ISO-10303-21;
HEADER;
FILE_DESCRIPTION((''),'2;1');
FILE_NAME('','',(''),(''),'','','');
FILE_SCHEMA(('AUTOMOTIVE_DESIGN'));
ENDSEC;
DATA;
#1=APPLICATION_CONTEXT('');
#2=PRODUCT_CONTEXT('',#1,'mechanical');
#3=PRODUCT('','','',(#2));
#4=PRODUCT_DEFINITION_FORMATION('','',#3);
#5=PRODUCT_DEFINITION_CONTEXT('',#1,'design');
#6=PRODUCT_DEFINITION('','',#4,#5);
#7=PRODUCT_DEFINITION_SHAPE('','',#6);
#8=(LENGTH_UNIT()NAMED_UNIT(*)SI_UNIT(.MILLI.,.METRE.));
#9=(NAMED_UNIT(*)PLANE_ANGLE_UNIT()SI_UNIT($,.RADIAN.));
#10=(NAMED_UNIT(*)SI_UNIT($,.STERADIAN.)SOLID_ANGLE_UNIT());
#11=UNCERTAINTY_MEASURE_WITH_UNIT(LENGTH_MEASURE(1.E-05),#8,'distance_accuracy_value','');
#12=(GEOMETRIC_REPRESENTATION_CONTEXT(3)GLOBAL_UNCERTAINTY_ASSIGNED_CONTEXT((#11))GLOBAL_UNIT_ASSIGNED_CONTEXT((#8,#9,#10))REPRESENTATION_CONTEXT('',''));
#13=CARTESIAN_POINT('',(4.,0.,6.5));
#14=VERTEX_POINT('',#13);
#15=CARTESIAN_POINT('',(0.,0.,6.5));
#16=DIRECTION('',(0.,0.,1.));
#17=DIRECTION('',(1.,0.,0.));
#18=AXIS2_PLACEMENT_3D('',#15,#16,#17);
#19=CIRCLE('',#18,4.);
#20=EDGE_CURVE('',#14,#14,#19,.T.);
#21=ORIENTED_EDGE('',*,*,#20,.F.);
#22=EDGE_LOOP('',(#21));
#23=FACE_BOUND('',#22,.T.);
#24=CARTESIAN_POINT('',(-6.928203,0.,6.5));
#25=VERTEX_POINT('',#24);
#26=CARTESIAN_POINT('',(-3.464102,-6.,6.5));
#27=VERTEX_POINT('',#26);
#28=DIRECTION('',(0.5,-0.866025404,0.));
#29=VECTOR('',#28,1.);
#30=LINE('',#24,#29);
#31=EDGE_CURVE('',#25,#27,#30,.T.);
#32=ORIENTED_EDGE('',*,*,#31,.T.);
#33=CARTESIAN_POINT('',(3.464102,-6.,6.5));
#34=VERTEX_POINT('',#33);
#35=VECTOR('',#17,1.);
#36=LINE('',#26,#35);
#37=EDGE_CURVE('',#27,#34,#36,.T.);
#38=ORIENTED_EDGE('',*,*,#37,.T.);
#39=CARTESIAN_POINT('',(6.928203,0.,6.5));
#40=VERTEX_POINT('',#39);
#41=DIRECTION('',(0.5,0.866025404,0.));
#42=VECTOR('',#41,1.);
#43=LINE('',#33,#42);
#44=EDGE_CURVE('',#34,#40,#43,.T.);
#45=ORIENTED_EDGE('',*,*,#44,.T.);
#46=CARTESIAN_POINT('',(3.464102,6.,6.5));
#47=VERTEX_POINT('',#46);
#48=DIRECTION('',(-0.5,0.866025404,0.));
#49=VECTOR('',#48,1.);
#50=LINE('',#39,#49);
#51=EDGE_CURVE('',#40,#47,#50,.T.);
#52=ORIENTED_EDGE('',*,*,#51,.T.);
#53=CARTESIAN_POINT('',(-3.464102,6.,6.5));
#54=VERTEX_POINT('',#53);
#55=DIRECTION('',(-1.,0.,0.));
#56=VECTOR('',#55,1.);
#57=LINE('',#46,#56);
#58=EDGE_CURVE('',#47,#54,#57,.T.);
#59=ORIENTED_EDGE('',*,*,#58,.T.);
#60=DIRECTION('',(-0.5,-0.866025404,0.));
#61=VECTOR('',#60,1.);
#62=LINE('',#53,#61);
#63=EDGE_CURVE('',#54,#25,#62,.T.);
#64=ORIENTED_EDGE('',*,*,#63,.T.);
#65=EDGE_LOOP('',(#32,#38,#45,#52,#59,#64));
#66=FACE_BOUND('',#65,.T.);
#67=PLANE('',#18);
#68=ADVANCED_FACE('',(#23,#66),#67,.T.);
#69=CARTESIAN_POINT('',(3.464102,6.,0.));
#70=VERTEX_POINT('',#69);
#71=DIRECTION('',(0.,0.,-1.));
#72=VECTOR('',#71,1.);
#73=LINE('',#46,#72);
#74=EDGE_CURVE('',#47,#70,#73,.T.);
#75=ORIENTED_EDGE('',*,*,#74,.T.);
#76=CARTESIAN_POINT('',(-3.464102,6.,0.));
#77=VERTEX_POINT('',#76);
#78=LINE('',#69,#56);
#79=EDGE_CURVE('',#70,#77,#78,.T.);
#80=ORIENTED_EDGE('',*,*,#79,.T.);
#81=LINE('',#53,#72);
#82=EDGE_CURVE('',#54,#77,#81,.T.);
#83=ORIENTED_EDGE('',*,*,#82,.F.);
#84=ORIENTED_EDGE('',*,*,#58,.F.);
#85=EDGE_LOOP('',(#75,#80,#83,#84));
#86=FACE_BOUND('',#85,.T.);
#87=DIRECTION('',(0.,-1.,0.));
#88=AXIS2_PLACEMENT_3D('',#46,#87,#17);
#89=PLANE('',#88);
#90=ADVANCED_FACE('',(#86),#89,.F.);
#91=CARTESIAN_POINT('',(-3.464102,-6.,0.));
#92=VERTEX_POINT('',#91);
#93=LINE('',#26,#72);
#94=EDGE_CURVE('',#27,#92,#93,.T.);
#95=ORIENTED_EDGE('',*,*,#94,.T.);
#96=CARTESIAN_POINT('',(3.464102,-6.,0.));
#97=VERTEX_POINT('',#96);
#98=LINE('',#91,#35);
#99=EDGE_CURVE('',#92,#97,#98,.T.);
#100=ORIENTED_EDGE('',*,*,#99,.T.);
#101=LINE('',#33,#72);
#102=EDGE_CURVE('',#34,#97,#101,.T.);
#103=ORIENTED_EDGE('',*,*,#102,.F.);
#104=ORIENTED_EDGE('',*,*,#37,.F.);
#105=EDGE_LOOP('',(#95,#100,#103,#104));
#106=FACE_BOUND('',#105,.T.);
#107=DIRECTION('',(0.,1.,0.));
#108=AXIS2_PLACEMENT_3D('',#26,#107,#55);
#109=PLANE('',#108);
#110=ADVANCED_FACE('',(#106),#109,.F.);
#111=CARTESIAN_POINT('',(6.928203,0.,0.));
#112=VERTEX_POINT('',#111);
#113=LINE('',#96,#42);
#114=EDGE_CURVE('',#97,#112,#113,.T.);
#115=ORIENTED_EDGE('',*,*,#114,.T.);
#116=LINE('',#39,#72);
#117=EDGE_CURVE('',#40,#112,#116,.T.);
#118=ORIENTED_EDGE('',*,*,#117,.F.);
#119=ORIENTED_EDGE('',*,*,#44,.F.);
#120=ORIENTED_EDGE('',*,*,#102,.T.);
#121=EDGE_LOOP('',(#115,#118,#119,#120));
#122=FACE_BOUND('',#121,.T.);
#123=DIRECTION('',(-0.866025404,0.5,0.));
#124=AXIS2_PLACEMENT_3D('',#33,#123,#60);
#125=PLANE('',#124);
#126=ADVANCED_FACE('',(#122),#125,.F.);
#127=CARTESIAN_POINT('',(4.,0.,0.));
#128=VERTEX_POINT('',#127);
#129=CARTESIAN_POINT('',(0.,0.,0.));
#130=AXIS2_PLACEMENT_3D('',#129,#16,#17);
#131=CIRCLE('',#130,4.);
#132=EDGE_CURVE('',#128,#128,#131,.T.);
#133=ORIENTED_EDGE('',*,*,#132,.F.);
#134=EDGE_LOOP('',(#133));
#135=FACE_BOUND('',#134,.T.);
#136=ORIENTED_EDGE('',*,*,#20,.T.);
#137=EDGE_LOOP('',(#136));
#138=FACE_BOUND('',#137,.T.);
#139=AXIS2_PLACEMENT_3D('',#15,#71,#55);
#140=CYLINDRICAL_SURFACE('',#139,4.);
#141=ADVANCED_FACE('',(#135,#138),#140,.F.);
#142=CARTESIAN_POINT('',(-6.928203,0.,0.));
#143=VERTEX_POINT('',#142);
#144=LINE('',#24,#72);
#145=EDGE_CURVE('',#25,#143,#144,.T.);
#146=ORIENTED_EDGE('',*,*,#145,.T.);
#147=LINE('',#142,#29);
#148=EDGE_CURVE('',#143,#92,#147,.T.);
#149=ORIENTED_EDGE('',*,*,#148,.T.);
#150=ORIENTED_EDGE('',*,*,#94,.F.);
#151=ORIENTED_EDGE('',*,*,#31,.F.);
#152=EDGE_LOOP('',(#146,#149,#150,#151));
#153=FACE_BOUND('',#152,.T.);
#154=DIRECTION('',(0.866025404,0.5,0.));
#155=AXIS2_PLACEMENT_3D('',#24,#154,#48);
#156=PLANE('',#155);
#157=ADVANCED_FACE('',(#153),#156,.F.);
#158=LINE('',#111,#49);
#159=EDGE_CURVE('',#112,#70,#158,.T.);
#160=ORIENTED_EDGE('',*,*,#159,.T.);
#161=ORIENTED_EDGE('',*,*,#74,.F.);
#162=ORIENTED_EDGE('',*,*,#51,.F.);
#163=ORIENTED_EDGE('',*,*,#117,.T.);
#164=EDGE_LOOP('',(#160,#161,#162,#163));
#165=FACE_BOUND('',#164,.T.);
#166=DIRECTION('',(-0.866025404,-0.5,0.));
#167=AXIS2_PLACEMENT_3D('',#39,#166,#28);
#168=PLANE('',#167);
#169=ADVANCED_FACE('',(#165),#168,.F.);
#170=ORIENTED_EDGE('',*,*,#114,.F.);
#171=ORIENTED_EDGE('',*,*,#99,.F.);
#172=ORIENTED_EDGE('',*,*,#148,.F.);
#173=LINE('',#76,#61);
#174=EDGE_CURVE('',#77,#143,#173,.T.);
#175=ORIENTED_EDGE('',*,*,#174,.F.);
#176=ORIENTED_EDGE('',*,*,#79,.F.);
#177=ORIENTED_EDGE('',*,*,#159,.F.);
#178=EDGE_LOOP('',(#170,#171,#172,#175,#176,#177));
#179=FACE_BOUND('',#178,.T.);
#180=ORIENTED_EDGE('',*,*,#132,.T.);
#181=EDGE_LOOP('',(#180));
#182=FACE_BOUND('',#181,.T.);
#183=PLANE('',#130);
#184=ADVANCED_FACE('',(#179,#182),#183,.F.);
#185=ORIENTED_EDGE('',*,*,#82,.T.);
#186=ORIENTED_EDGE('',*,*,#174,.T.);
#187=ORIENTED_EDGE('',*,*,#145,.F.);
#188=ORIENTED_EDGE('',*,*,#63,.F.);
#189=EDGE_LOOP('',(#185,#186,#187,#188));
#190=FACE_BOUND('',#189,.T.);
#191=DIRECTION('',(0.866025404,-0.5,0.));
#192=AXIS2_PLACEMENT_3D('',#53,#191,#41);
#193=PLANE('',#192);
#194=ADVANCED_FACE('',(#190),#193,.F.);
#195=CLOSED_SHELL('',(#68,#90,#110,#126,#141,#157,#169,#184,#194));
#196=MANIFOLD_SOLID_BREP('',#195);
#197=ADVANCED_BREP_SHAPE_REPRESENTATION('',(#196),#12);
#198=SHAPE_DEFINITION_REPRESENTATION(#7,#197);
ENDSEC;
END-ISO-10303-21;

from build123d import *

# Parameters (mm, degrees)
ESBO_O1_R                = 4
RESSALTO_EXTRUS_O1_DEPTH = 6.5


with BuildPart() as part:
    # Esboço1 → Ressalto-extrusão1 (new body)
    with BuildSketch(Plane.XY):
        Polygon((6.92820323, 0), (3.464101615, 6), (-3.464101615, 6), (-6.92820323, 0), (-3.464101615, -6), (3.464101615, -6), align=None)
        Circle(ESBO_O1_R, mode=Mode.SUBTRACT)
    extrude(amount=RESSALTO_EXTRUS_O1_DEPTH)


solid = part.part
